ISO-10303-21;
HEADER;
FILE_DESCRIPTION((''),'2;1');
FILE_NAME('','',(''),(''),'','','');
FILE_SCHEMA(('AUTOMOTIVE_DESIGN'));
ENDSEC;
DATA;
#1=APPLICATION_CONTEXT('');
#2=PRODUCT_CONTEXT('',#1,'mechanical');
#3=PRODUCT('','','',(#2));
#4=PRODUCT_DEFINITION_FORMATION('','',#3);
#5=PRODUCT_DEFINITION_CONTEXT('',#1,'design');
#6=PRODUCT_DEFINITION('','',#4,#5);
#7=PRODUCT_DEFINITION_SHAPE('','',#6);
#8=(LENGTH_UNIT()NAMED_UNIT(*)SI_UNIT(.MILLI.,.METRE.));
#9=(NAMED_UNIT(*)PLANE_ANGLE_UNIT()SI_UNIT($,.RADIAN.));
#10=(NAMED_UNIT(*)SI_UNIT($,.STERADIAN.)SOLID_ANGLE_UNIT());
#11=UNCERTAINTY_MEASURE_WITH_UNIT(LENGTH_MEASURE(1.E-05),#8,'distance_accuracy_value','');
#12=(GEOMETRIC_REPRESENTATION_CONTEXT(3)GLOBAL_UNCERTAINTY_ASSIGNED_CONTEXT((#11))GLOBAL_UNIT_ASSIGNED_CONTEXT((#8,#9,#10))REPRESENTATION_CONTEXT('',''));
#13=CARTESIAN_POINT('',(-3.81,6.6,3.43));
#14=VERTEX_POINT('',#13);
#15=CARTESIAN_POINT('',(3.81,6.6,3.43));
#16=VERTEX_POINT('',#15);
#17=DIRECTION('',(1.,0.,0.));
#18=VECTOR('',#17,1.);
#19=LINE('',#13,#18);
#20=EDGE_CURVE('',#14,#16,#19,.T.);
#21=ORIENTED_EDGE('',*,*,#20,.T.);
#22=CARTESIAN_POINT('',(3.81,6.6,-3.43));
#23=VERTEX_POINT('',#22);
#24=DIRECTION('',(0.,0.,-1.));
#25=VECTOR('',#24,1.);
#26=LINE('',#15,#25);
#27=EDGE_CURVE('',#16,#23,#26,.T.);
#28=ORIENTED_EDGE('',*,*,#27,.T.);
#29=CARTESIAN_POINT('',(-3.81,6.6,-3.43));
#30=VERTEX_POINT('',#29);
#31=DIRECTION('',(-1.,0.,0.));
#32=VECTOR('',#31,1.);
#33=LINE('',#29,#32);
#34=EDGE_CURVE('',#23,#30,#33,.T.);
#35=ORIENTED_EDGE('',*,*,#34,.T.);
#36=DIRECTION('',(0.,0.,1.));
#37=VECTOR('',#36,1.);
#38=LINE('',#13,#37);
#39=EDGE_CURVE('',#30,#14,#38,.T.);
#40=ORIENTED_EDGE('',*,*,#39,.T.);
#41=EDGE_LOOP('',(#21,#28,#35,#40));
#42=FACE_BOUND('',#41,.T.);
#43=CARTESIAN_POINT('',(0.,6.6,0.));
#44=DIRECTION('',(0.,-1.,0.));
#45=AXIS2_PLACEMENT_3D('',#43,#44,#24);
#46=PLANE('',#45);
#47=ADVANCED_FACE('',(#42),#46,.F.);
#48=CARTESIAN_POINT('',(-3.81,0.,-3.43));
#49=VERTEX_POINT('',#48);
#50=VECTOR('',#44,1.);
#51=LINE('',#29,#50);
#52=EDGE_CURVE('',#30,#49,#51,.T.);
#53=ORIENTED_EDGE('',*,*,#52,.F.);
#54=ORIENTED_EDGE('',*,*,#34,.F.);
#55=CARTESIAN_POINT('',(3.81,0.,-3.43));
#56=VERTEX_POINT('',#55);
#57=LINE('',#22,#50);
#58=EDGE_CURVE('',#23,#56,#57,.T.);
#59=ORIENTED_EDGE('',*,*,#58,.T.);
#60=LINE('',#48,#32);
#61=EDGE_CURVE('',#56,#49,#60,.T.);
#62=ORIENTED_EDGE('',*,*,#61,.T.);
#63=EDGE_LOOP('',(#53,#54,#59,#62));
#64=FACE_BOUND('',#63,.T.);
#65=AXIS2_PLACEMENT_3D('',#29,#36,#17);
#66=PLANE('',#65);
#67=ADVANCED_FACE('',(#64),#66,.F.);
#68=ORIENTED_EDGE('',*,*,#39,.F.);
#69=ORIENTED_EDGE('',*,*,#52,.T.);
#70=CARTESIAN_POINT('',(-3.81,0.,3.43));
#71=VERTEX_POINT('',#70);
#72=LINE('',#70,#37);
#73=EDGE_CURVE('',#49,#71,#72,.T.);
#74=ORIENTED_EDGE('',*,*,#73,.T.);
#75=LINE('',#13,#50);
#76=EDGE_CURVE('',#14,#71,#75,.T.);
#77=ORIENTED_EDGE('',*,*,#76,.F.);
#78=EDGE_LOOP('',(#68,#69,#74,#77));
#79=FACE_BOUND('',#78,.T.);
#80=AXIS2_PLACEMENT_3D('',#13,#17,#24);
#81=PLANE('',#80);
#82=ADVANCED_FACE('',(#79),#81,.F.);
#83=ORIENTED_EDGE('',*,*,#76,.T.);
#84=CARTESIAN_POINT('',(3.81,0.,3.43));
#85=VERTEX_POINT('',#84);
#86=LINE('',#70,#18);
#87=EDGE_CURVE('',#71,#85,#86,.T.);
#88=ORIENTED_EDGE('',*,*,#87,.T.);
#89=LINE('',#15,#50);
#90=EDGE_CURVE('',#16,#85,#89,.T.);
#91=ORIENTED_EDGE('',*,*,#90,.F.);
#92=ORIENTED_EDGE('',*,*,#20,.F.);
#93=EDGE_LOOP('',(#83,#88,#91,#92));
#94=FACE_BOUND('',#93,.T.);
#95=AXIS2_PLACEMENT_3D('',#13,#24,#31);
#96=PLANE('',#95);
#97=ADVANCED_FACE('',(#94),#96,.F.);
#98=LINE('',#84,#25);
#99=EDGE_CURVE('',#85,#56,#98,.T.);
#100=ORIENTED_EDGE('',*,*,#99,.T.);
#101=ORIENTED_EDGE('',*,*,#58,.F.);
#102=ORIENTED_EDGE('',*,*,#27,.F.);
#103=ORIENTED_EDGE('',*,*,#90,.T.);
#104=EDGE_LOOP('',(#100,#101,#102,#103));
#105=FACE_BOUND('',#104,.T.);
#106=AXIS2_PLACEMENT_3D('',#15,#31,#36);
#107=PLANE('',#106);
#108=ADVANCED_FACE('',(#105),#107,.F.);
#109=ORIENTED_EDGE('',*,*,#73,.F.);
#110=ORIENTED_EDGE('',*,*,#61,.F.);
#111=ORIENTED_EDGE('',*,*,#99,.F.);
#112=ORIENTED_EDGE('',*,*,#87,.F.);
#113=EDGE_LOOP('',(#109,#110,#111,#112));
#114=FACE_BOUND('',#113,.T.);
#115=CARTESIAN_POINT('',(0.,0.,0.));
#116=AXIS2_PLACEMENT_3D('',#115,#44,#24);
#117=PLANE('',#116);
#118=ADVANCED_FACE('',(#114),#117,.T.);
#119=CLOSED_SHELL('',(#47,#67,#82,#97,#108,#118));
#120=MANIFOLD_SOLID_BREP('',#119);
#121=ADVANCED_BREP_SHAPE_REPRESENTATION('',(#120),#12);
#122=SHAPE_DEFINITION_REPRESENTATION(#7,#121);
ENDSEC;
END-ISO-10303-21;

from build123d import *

# Parameters (mm, degrees)
SKETCH1_W           = 7.62
SKETCH1_H           = 6.86
BOSS_EXTRUDE1_DEPTH = 6.6


with BuildPart() as part:
    # Sketch1 → Boss-Extrude1 (new body)
    with BuildSketch(Plane(origin=(0, 0, 0), x_dir=(1, 0, 0), z_dir=(0, 1, 0))):
        Rectangle(SKETCH1_W, SKETCH1_H)
    extrude(amount=BOSS_EXTRUDE1_DEPTH)


solid = part.part
